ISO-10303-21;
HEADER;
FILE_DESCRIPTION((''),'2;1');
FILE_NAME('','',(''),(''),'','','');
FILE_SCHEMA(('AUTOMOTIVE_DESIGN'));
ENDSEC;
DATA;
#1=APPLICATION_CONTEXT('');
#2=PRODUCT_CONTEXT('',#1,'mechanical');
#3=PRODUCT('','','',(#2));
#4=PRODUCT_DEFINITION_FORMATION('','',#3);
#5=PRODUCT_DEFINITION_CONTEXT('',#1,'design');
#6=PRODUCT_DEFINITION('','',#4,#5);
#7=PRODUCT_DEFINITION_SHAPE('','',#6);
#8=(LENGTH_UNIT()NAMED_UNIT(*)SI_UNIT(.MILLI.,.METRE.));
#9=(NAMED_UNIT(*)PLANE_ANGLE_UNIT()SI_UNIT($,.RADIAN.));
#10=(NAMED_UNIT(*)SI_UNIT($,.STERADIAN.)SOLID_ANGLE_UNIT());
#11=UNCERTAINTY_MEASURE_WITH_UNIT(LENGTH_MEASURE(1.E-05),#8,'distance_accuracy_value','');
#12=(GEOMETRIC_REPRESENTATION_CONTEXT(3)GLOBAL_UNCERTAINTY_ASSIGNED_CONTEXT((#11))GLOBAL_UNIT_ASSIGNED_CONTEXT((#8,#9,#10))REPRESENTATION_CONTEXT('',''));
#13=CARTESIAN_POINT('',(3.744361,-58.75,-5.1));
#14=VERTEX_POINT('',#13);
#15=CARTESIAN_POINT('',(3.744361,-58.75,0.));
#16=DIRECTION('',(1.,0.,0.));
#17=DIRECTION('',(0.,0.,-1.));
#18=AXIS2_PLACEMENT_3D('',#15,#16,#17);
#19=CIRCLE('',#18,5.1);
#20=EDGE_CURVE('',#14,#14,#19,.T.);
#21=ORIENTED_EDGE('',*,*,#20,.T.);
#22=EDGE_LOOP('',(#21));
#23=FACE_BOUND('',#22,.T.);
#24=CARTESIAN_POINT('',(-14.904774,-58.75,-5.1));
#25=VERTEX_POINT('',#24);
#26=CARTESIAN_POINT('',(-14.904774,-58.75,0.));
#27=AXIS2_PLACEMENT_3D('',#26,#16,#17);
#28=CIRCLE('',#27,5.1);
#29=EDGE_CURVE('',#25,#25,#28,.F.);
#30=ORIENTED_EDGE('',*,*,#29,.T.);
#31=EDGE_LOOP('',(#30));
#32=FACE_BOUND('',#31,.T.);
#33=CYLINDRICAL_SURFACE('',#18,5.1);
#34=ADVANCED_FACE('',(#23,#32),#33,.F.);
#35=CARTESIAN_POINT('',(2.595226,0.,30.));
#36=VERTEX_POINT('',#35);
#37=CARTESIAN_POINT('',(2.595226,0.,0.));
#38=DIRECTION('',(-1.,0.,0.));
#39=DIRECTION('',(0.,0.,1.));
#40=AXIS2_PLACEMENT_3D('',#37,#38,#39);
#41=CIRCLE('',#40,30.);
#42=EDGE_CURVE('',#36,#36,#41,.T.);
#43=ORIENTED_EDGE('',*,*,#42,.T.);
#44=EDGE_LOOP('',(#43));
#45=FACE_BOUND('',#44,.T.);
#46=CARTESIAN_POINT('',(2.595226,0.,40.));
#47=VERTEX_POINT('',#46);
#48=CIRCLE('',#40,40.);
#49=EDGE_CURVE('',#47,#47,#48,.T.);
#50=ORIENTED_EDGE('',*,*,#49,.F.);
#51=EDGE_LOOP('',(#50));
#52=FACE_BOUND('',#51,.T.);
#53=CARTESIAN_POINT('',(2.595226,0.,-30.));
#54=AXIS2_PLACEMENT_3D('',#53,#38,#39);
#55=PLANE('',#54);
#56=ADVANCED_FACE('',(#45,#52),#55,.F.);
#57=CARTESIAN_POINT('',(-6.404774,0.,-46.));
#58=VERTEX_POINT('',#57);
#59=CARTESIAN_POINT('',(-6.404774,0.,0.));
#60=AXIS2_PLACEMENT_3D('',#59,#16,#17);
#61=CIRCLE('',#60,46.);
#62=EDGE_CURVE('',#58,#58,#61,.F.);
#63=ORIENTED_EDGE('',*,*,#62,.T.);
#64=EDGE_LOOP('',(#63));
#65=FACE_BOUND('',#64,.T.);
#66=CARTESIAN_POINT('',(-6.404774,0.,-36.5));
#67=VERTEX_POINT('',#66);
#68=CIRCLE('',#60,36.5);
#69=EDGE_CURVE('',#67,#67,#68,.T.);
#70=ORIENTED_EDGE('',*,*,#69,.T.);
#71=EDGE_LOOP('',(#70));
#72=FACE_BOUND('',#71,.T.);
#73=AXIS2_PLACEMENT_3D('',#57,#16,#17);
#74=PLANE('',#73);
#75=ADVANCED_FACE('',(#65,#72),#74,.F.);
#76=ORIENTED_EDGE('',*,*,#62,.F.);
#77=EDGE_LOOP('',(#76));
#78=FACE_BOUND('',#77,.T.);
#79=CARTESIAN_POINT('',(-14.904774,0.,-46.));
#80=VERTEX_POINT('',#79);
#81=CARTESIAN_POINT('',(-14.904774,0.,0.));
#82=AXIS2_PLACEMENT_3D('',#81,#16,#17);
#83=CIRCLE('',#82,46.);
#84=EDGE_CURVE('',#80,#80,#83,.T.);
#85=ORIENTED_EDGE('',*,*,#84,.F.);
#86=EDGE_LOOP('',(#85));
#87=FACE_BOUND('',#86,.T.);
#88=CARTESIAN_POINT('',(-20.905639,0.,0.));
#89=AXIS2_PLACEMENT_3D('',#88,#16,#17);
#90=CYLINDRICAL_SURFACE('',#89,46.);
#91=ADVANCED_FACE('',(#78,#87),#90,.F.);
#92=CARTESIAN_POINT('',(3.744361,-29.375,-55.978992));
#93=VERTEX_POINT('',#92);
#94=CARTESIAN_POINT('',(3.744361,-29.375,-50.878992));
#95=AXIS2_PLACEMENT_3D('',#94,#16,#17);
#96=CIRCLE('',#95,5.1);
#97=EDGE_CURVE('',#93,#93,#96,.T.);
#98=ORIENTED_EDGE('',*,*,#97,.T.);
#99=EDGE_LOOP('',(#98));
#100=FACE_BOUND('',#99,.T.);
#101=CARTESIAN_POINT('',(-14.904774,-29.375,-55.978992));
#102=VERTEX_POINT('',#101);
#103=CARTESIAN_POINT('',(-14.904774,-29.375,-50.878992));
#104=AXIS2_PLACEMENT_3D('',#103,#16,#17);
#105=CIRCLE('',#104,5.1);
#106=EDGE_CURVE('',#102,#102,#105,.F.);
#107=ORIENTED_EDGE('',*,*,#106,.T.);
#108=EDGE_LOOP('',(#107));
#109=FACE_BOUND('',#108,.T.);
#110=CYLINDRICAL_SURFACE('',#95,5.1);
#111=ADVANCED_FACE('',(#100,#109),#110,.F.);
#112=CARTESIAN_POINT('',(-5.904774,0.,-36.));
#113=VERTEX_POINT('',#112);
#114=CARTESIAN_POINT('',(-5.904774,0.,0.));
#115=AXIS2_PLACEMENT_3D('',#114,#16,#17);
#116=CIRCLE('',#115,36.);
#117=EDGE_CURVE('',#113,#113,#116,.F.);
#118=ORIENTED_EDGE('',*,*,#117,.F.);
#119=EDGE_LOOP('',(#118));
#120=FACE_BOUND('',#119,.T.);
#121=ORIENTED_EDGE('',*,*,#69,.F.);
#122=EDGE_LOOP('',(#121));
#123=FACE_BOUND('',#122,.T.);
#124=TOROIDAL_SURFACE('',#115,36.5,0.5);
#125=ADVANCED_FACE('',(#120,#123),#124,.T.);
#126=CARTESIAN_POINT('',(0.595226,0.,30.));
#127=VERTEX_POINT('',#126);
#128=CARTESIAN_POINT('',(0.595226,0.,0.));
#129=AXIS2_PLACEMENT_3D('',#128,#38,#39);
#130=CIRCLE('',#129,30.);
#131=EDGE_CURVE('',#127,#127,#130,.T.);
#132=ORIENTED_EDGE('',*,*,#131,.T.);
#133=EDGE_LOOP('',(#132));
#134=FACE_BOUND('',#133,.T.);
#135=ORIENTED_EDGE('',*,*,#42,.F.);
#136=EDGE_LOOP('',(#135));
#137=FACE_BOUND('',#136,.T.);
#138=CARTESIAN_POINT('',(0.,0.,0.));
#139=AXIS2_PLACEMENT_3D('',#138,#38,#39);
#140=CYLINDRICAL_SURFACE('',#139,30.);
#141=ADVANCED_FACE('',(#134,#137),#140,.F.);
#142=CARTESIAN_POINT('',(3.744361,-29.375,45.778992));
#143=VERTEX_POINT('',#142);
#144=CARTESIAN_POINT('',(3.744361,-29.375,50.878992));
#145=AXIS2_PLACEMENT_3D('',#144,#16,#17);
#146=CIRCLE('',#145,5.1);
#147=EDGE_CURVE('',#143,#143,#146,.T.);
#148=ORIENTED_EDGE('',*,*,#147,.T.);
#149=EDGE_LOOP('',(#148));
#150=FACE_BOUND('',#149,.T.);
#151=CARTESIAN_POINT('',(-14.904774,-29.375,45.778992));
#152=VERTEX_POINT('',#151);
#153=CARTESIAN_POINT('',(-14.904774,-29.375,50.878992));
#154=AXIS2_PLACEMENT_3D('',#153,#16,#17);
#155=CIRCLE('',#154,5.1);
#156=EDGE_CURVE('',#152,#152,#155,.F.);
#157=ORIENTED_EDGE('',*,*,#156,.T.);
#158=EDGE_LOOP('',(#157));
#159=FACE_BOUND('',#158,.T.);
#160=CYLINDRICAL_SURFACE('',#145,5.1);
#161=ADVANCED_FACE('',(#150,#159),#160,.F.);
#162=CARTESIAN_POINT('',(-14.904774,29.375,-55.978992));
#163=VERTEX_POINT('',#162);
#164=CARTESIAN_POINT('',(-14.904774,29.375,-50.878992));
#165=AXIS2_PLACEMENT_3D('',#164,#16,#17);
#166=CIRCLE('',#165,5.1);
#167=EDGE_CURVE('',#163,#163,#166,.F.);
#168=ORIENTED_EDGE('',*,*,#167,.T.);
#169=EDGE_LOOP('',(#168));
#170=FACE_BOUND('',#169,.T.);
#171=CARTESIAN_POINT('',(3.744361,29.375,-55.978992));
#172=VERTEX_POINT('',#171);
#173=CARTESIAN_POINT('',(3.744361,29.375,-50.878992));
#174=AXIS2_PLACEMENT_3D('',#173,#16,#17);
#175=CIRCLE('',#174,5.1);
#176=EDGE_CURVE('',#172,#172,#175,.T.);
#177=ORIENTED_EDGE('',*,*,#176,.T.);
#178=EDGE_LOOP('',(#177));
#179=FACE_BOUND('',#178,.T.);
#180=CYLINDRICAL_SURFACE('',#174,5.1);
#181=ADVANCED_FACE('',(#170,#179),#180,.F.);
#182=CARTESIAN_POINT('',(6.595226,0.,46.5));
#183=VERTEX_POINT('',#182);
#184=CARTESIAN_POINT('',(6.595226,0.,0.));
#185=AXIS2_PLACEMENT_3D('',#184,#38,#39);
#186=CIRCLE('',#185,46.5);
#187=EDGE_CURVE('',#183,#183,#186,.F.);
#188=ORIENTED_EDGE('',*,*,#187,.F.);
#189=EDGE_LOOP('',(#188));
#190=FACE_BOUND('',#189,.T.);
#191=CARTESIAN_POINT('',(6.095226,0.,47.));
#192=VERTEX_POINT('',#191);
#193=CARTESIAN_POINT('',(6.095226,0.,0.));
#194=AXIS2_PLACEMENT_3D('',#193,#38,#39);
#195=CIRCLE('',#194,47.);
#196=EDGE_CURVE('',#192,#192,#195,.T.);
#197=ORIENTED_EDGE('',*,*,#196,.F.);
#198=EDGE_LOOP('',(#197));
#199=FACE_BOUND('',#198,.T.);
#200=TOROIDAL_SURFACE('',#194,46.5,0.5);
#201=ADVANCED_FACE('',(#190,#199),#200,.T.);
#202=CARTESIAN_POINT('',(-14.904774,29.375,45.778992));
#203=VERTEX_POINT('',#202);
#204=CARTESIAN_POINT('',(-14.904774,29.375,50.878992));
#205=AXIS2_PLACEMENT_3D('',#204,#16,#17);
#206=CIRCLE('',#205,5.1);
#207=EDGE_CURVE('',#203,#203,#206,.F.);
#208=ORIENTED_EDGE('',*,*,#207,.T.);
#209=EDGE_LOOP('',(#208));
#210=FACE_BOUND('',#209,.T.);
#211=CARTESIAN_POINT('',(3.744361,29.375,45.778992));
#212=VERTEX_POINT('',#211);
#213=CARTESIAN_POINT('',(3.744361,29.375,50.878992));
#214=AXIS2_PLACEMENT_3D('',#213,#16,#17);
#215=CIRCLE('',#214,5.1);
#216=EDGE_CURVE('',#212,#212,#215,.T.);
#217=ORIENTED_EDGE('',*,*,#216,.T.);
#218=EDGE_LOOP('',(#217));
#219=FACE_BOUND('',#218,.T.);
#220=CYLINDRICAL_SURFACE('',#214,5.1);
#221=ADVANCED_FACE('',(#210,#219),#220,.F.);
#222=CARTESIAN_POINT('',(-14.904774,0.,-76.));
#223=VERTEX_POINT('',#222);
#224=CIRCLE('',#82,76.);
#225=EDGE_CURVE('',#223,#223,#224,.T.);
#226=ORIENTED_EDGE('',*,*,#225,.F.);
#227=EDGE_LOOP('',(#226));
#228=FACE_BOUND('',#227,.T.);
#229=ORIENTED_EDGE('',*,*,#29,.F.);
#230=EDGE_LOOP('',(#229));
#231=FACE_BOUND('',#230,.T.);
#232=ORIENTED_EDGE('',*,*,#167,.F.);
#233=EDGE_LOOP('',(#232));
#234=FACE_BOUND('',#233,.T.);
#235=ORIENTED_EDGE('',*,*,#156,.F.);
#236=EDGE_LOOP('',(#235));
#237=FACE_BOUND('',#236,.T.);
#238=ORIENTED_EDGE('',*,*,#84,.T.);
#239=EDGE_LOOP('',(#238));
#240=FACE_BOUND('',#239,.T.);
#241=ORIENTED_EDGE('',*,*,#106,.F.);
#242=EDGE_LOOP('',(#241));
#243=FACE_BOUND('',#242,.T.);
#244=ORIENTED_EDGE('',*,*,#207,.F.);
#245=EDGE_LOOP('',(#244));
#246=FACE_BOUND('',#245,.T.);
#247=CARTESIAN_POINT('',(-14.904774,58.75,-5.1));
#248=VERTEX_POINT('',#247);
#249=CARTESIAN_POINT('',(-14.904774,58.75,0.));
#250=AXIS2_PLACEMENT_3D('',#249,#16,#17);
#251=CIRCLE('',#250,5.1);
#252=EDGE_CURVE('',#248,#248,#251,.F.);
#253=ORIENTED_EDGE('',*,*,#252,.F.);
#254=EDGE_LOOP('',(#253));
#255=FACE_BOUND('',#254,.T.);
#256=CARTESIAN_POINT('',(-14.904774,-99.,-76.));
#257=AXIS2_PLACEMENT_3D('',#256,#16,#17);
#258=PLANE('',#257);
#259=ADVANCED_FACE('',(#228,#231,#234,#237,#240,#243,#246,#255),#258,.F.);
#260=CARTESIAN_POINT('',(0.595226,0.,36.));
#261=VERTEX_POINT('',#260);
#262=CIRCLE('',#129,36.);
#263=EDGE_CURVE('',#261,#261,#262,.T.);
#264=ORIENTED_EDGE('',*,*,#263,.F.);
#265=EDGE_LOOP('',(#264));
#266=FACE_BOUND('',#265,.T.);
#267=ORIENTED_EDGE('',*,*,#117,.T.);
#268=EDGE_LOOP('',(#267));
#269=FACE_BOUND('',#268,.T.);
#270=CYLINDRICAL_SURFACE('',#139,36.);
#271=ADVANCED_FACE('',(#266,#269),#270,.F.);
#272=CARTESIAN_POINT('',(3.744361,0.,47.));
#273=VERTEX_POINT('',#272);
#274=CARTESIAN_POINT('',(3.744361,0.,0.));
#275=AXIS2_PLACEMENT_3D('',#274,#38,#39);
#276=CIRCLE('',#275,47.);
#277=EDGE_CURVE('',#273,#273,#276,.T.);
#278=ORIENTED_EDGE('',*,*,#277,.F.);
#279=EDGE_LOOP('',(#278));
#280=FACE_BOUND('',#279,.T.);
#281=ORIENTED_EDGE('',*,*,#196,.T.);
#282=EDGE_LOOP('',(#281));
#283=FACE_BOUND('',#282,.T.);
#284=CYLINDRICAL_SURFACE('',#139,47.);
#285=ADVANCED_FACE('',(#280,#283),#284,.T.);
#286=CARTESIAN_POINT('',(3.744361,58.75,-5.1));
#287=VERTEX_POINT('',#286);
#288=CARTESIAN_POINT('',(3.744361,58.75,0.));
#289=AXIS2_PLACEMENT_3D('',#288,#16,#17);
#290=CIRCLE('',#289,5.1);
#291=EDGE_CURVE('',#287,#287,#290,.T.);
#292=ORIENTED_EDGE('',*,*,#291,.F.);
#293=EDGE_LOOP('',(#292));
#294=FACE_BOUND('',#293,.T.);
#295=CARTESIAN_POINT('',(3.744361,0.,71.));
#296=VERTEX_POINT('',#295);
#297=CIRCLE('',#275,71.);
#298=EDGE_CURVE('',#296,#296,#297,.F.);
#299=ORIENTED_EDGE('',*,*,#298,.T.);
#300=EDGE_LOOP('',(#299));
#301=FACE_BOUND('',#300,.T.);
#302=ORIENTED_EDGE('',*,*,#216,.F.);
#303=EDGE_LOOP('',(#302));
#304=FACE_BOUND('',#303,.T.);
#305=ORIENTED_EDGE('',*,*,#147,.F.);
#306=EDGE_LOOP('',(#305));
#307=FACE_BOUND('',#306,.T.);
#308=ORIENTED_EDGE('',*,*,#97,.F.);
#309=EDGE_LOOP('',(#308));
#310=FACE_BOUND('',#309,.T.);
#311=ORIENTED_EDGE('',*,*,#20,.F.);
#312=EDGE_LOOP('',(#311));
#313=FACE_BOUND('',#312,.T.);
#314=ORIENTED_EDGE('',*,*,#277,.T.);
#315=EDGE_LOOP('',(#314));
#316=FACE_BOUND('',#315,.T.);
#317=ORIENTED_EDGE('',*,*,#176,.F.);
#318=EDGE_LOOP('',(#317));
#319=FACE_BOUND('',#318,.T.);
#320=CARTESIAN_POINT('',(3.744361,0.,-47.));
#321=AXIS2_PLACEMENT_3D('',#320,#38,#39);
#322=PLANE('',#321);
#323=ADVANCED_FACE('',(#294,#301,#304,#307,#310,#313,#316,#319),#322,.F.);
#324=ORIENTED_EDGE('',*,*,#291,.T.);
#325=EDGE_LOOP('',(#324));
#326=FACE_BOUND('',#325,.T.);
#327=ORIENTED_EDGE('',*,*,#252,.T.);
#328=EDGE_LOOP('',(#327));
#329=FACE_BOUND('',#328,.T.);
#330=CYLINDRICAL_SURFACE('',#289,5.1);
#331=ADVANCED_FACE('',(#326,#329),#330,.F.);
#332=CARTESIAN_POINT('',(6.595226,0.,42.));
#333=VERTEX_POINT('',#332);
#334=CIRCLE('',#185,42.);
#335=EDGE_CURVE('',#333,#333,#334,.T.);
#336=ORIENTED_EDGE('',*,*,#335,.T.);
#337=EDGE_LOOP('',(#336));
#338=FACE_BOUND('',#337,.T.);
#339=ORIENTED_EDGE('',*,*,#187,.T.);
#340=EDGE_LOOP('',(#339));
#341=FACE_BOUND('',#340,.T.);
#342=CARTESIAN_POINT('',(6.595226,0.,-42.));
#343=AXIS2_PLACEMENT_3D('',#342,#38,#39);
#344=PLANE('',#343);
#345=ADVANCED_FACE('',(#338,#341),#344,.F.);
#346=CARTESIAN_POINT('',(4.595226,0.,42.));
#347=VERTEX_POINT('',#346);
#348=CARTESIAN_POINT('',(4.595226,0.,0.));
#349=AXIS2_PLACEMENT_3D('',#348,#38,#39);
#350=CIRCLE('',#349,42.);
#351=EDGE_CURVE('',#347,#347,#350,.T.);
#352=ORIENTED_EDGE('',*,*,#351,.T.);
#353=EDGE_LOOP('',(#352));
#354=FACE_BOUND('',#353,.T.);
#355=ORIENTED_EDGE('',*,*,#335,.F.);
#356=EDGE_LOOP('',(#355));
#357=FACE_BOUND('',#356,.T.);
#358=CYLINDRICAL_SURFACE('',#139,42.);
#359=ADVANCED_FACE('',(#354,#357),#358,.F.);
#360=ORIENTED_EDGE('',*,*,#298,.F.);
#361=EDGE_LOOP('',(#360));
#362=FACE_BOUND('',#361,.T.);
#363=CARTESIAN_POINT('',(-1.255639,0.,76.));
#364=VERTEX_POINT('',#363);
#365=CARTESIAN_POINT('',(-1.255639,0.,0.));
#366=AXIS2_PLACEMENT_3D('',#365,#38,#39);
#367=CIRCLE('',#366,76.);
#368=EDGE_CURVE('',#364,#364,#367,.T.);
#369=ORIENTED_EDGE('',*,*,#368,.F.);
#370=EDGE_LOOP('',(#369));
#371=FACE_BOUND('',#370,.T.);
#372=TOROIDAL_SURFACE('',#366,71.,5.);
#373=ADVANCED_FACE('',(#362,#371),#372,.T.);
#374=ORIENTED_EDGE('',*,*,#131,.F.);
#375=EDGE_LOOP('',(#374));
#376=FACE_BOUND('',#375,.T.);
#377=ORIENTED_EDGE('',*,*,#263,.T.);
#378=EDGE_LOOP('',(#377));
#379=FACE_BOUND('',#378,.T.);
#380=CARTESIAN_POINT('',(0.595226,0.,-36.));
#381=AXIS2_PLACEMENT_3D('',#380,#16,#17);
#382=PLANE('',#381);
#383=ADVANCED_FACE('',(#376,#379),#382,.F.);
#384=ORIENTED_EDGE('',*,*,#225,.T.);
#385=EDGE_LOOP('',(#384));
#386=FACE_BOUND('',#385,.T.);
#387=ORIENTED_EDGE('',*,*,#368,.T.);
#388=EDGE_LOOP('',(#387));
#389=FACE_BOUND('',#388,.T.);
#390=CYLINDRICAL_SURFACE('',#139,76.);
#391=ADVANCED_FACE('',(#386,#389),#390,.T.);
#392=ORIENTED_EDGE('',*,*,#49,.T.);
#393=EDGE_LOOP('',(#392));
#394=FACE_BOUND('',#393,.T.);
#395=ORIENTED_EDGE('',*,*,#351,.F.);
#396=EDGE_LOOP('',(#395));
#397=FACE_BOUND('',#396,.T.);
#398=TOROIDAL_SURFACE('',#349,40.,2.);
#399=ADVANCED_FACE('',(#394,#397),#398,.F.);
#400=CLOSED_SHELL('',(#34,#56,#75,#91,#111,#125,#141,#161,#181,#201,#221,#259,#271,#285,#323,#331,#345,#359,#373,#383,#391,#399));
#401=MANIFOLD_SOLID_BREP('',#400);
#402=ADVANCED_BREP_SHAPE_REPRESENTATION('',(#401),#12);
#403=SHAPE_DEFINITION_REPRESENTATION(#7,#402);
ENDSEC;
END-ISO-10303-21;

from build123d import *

# Parameters (mm, degrees)
FILLET1_R                   = 0.5
FILLET4_R                   = 0.5
BOSS_EXTRUDE2_START         = 18.65
SKETCH3_R                   = 76
SKETCH3_R_2                 = 46
BOSS_EXTRUDE2_DEPTH         = 18.65
FILLET5_R                   = 5
M12X1_75_TAPPED_HOLE1_D     = 10.2
M12X1_75_TAPPED_HOLE1_DEPTH = 29.25
M12X1_75_TAPPED_HOLE1_TIP   = 3.064389157
SKETCH6_W                   = 6.000865062
SKETCH6_H                   = 152
CUT_EXTRUDE2_DEPTH          = 99


with BuildPart() as part:
    # Sketch1 → Revolve1 (revolve)
    with BuildSketch(Plane(origin=(0, 0, 0), x_dir=(1, 0, 0), z_dir=(0, 1, 0)), mode=Mode.PRIVATE) as revolve1_sk:
        with BuildLine():
            Line((0.595225647, 30), (2.595225647, 30))
            Line((2.595225647, 30), (2.595225647, 40))
            ThreePointArc((2.595225647, 40), (3.181012085, 41.414213562), (4.595225647, 42))
            Line((4.595225647, 42), (6.595225647, 42))
            Line((6.595225647, 42), (6.595225647, 47))
            Line((6.595225647, 47), (3.744360585, 47))
            Line((3.744360585, 47), (3.744360585, 76))
            Line((3.744360585, 76), (-2.255639415, 76))
            Line((-2.255639415, 76), (-2.255639415, 49))
            ThreePointArc((-2.255639415, 49), (-3.134319072, 46.878679656), (-5.255639415, 46))
            Line((-5.255639415, 46), (-6.404774353, 46))
            Line((-6.404774353, 46), (-6.404774353, 36))
            Line((-6.404774353, 36), (0.595225647, 36))
            Line((0.595225647, 36), (0.595225647, 30))
        make_face()
    revolve(revolve1_sk.sketch.rotate(Axis((0, 0, 0), (1, 0, 0)), 180), axis=Axis((0, 0, 0), (1, 0, 0)))

    # Fillet1
    fillet1_edges = [part.edges().sort_by_distance(p)[0] for p in [
        (-6.404774353, 0, -36),
    ]]
    fillet(fillet1_edges, radius=FILLET1_R)

    # Fillet4
    fillet4_edges = [part.edges().sort_by_distance(p)[0] for p in [
        (6.595225647, 0, -47),
    ]]
    fillet(fillet4_edges, radius=FILLET4_R)

    # Sketch3 → Boss-Extrude2 (add)
    with BuildSketch(Plane.ZY.offset(2.255639415).offset(BOSS_EXTRUDE2_START)):
        Circle(SKETCH3_R)
        with Locations(Location((0, 0, 0), (0, 0, 180))):
            Circle(SKETCH3_R_2, mode=Mode.SUBTRACT)
    extrude(amount=-BOSS_EXTRUDE2_DEPTH)

    # Fillet5
    fillet5_edges = [part.edges().sort_by_distance(p)[0] for p in [
        (3.744360585, 0, -76),
    ]]
    fillet(fillet5_edges, radius=FILLET5_R)

    # M12x1.75 Tapped Hole1
    with Locations(Plane(origin=(3.744360585, 0, 0), x_dir=(0, 0, -1), z_dir=(1, 0, 0))):
        with Locations((0, 58.75), (50.878992472, 29.375), (50.878992472, -29.375), (0, -58.75), (-50.878992472, -29.375), (-50.878992472, 29.375)):
            Hole(M12X1_75_TAPPED_HOLE1_D / 2, depth=M12X1_75_TAPPED_HOLE1_DEPTH)
            with Locations((0, 0, -(M12X1_75_TAPPED_HOLE1_DEPTH + M12X1_75_TAPPED_HOLE1_TIP / 2))):  # 118° drill point
                Cone(0, M12X1_75_TAPPED_HOLE1_D / 2, M12X1_75_TAPPED_HOLE1_TIP, mode=Mode.SUBTRACT)

    # Sketch6 → Cut-Extrude2 (cut, symmetric)
    with BuildSketch(Plane(origin=(0, 0, 0), x_dir=(1, 0, 0), z_dir=(0, 1, 0))):
        with Locations((-17.905206884, 0)):
            Rectangle(SKETCH6_W, SKETCH6_H)
    extrude(amount=CUT_EXTRUDE2_DEPTH, both=True, mode=Mode.SUBTRACT)


solid = part.part
